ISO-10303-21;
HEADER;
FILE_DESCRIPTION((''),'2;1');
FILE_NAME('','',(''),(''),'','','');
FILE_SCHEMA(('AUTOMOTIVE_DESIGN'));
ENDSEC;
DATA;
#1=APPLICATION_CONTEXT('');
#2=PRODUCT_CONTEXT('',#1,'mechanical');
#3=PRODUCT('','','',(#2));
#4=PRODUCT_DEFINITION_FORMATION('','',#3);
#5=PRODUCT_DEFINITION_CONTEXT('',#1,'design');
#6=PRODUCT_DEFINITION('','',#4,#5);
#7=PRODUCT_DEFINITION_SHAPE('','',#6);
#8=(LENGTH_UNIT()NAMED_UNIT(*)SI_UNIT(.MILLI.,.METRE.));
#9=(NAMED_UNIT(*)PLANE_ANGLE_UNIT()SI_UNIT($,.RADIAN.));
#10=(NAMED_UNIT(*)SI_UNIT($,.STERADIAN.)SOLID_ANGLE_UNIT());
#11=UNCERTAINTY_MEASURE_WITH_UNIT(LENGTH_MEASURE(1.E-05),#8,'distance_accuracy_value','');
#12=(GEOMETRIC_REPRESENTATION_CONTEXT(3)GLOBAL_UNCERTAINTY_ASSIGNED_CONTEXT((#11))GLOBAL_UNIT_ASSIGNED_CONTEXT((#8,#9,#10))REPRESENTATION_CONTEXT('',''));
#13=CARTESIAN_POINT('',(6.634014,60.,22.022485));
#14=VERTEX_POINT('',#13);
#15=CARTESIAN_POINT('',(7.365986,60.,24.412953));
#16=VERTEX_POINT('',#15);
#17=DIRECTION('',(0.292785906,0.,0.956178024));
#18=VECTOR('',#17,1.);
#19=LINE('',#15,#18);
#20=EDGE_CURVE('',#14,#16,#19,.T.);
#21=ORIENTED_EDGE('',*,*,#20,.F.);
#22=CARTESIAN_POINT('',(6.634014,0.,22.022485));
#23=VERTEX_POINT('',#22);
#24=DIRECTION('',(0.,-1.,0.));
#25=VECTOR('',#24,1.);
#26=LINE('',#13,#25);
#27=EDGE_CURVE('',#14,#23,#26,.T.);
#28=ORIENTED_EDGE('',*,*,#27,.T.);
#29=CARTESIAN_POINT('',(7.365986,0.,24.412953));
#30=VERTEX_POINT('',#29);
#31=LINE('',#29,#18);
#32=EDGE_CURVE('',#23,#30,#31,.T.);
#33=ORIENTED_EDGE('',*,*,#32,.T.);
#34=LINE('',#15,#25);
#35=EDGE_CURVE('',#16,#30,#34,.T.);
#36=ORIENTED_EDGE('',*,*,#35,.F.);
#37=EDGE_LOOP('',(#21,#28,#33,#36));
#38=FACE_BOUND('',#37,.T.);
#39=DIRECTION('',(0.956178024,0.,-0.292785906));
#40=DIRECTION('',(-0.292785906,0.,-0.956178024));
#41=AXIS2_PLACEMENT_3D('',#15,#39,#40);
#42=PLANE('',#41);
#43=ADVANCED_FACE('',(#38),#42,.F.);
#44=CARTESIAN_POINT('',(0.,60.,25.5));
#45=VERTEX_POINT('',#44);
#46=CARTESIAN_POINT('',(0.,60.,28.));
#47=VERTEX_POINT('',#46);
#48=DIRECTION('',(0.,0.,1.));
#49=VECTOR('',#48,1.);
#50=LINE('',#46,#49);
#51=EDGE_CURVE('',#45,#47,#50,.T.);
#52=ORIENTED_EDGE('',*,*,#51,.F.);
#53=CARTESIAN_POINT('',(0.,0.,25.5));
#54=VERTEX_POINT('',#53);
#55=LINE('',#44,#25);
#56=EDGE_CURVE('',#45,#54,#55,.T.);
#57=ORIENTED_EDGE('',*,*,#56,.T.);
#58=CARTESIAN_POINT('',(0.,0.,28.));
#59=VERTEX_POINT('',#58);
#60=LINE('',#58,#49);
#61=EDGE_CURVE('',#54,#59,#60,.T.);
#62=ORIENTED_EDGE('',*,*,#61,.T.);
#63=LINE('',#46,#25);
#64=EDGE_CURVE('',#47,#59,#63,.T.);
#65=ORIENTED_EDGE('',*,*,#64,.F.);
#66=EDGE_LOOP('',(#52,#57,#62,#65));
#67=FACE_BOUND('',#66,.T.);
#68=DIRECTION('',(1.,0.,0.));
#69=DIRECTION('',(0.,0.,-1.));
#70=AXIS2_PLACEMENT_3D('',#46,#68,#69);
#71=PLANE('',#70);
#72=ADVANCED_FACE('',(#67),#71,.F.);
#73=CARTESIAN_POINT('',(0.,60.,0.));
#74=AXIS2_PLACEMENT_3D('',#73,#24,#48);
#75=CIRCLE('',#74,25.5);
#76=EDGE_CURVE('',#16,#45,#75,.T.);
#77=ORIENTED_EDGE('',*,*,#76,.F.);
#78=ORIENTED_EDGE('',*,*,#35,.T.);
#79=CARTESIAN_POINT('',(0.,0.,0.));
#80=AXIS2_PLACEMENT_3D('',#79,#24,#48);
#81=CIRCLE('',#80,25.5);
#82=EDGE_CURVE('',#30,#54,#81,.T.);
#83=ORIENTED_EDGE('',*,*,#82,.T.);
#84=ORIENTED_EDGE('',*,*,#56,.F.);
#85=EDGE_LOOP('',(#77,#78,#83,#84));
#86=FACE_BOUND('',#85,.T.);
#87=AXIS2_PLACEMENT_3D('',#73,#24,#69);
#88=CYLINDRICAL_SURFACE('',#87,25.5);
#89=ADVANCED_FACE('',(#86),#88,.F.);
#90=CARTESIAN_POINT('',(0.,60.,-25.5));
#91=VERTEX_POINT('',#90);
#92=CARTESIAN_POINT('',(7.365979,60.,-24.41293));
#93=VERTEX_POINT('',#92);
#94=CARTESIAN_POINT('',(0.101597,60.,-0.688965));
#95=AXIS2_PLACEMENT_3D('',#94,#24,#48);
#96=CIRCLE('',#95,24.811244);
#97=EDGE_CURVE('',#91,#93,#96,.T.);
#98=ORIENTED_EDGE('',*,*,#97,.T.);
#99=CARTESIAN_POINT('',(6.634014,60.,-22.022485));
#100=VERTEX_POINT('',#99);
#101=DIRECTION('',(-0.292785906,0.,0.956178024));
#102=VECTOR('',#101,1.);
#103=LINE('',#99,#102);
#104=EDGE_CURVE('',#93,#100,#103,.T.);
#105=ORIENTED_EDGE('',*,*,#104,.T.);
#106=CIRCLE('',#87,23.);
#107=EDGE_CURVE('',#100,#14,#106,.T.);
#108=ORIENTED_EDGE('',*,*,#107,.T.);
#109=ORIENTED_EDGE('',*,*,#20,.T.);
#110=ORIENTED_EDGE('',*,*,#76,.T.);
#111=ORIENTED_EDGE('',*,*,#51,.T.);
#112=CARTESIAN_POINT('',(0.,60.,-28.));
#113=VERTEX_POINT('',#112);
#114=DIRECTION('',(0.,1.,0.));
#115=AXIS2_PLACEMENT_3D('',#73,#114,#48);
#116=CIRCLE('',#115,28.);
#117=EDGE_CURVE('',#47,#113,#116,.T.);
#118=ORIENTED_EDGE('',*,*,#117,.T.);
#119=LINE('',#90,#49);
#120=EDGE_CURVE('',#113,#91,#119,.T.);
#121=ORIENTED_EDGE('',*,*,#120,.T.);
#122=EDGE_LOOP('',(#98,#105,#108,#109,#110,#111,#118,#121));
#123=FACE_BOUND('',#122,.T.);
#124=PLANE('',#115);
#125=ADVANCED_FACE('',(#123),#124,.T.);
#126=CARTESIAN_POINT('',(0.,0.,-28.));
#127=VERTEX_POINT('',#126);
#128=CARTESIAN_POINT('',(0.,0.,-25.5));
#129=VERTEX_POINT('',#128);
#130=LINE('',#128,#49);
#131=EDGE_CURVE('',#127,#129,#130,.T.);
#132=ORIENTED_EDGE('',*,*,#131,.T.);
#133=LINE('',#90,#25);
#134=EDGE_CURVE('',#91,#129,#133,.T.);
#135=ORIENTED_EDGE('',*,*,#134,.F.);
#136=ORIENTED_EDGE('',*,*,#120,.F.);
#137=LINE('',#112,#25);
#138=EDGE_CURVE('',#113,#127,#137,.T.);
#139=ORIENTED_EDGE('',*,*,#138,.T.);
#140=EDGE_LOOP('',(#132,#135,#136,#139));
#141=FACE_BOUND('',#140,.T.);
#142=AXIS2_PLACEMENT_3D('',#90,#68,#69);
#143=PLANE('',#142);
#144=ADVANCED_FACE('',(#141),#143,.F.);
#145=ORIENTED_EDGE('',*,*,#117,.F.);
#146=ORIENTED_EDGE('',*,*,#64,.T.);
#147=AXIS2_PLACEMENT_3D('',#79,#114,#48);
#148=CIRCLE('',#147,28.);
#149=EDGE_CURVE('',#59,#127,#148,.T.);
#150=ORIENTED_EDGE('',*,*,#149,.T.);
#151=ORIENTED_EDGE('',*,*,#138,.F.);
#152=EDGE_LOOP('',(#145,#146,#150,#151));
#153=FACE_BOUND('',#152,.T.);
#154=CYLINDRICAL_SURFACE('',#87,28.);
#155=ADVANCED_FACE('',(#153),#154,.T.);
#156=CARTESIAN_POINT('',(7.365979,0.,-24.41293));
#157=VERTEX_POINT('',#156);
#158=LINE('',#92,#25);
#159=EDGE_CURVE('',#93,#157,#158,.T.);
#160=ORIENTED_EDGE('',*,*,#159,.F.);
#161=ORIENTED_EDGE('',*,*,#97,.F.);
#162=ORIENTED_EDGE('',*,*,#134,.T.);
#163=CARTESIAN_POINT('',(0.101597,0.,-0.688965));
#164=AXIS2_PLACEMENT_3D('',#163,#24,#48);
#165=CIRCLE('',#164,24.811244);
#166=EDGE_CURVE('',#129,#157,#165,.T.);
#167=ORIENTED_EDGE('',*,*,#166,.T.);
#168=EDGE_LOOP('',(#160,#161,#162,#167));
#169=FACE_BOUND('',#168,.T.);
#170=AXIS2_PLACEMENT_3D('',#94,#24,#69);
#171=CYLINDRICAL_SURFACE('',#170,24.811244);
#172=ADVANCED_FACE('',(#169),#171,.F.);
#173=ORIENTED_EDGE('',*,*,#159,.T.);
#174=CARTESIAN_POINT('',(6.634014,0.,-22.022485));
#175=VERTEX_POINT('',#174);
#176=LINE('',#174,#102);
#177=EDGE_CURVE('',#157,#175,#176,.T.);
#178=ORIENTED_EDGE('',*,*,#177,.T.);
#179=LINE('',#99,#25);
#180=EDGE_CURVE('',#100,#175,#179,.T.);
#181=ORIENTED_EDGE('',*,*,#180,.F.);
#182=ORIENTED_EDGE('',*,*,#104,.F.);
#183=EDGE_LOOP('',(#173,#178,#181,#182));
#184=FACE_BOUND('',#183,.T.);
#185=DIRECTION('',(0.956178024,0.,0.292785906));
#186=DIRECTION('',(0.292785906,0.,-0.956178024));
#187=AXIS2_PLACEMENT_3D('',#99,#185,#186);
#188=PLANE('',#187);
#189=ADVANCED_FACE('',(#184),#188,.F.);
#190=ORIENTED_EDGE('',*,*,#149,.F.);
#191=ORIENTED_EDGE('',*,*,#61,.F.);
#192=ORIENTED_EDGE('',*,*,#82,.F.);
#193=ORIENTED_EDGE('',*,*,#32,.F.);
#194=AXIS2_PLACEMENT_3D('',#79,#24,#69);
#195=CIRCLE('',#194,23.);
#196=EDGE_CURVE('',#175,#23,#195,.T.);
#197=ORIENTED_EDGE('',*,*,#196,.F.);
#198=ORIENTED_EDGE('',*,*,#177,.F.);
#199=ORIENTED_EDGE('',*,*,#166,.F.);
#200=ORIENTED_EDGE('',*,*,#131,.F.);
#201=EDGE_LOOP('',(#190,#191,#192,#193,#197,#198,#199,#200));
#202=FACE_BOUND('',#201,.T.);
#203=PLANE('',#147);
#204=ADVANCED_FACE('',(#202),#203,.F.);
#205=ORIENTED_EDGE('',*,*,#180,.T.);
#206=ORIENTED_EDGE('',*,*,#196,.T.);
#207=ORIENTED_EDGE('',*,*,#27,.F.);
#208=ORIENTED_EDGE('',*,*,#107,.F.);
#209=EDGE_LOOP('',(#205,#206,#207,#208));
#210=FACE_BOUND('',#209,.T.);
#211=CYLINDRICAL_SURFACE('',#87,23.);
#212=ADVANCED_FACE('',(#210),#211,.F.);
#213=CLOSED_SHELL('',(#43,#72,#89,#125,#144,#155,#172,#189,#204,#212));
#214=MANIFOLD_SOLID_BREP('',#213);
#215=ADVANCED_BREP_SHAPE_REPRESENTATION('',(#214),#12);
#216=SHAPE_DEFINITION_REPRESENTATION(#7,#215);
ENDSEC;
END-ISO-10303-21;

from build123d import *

# Parameters (mm, degrees)
SKETCH2_R           = 28
BOSS_EXTRUDE1_DEPTH = 60
SKETCH3_R           = 23
CUT_EXTRUDE2_DEPTH  = 72.888803022
CUT_EXTRUDE3_DEPTH  = 72.888803022


with BuildPart() as part:
    # Sketch2 → Boss-Extrude1 (new body)
    with BuildSketch(Plane(origin=(0, 0, 0), x_dir=(1, 0, 0), z_dir=(0, 1, 0))):
        with Locations(Location((0, 0, 0), (0, 0, 270))):
            Circle(SKETCH2_R)
    extrude(amount=BOSS_EXTRUDE1_DEPTH)

    # Sketch3 → Cut-Extrude2 (cut, through all)
    with BuildSketch(Plane.XZ):
        with Locations(Location((0, 0, 0), (0, 0, 270))):
            Circle(SKETCH3_R)
    extrude(amount=-CUT_EXTRUDE2_DEPTH, mode=Mode.SUBTRACT)

    # Sketch5 → Cut-Extrude3 (cut, through all)
    with BuildSketch(Plane.XZ):
        with BuildLine():
            Line((0, 28), (0, 25.5))
            ThreePointArc((0, 25.5), (3.722882581, 25.226774373), (7.365985795, 24.412952572))
            Line((7.365985795, 24.412952572), (6.634014205, 22.022485226))
            ThreePointArc((6.634014205, 22.022485226), (-23.141150891, 0), (6.634014205, -22.022485226))
            Line((6.634014205, -22.022485226), (7.365978971, -24.412930285))
            ThreePointArc((7.365978971, -24.412930285), (3.723999827, -25.234351011), (0, -25.5))
            Line((0, -25.5), (0, -28))
            ThreePointArc((0, -28), (-28, 0), (0, 28))
        make_face()
    extrude(amount=-CUT_EXTRUDE3_DEPTH, mode=Mode.SUBTRACT)


with BuildPart() as body_2:
    # of the pieces the cut leaves, the one that is kept (cut_extrude3_keep)
    add(part.part.solids().sort_by_distance((0, 0, 28))[0])


solid = body_2.part
